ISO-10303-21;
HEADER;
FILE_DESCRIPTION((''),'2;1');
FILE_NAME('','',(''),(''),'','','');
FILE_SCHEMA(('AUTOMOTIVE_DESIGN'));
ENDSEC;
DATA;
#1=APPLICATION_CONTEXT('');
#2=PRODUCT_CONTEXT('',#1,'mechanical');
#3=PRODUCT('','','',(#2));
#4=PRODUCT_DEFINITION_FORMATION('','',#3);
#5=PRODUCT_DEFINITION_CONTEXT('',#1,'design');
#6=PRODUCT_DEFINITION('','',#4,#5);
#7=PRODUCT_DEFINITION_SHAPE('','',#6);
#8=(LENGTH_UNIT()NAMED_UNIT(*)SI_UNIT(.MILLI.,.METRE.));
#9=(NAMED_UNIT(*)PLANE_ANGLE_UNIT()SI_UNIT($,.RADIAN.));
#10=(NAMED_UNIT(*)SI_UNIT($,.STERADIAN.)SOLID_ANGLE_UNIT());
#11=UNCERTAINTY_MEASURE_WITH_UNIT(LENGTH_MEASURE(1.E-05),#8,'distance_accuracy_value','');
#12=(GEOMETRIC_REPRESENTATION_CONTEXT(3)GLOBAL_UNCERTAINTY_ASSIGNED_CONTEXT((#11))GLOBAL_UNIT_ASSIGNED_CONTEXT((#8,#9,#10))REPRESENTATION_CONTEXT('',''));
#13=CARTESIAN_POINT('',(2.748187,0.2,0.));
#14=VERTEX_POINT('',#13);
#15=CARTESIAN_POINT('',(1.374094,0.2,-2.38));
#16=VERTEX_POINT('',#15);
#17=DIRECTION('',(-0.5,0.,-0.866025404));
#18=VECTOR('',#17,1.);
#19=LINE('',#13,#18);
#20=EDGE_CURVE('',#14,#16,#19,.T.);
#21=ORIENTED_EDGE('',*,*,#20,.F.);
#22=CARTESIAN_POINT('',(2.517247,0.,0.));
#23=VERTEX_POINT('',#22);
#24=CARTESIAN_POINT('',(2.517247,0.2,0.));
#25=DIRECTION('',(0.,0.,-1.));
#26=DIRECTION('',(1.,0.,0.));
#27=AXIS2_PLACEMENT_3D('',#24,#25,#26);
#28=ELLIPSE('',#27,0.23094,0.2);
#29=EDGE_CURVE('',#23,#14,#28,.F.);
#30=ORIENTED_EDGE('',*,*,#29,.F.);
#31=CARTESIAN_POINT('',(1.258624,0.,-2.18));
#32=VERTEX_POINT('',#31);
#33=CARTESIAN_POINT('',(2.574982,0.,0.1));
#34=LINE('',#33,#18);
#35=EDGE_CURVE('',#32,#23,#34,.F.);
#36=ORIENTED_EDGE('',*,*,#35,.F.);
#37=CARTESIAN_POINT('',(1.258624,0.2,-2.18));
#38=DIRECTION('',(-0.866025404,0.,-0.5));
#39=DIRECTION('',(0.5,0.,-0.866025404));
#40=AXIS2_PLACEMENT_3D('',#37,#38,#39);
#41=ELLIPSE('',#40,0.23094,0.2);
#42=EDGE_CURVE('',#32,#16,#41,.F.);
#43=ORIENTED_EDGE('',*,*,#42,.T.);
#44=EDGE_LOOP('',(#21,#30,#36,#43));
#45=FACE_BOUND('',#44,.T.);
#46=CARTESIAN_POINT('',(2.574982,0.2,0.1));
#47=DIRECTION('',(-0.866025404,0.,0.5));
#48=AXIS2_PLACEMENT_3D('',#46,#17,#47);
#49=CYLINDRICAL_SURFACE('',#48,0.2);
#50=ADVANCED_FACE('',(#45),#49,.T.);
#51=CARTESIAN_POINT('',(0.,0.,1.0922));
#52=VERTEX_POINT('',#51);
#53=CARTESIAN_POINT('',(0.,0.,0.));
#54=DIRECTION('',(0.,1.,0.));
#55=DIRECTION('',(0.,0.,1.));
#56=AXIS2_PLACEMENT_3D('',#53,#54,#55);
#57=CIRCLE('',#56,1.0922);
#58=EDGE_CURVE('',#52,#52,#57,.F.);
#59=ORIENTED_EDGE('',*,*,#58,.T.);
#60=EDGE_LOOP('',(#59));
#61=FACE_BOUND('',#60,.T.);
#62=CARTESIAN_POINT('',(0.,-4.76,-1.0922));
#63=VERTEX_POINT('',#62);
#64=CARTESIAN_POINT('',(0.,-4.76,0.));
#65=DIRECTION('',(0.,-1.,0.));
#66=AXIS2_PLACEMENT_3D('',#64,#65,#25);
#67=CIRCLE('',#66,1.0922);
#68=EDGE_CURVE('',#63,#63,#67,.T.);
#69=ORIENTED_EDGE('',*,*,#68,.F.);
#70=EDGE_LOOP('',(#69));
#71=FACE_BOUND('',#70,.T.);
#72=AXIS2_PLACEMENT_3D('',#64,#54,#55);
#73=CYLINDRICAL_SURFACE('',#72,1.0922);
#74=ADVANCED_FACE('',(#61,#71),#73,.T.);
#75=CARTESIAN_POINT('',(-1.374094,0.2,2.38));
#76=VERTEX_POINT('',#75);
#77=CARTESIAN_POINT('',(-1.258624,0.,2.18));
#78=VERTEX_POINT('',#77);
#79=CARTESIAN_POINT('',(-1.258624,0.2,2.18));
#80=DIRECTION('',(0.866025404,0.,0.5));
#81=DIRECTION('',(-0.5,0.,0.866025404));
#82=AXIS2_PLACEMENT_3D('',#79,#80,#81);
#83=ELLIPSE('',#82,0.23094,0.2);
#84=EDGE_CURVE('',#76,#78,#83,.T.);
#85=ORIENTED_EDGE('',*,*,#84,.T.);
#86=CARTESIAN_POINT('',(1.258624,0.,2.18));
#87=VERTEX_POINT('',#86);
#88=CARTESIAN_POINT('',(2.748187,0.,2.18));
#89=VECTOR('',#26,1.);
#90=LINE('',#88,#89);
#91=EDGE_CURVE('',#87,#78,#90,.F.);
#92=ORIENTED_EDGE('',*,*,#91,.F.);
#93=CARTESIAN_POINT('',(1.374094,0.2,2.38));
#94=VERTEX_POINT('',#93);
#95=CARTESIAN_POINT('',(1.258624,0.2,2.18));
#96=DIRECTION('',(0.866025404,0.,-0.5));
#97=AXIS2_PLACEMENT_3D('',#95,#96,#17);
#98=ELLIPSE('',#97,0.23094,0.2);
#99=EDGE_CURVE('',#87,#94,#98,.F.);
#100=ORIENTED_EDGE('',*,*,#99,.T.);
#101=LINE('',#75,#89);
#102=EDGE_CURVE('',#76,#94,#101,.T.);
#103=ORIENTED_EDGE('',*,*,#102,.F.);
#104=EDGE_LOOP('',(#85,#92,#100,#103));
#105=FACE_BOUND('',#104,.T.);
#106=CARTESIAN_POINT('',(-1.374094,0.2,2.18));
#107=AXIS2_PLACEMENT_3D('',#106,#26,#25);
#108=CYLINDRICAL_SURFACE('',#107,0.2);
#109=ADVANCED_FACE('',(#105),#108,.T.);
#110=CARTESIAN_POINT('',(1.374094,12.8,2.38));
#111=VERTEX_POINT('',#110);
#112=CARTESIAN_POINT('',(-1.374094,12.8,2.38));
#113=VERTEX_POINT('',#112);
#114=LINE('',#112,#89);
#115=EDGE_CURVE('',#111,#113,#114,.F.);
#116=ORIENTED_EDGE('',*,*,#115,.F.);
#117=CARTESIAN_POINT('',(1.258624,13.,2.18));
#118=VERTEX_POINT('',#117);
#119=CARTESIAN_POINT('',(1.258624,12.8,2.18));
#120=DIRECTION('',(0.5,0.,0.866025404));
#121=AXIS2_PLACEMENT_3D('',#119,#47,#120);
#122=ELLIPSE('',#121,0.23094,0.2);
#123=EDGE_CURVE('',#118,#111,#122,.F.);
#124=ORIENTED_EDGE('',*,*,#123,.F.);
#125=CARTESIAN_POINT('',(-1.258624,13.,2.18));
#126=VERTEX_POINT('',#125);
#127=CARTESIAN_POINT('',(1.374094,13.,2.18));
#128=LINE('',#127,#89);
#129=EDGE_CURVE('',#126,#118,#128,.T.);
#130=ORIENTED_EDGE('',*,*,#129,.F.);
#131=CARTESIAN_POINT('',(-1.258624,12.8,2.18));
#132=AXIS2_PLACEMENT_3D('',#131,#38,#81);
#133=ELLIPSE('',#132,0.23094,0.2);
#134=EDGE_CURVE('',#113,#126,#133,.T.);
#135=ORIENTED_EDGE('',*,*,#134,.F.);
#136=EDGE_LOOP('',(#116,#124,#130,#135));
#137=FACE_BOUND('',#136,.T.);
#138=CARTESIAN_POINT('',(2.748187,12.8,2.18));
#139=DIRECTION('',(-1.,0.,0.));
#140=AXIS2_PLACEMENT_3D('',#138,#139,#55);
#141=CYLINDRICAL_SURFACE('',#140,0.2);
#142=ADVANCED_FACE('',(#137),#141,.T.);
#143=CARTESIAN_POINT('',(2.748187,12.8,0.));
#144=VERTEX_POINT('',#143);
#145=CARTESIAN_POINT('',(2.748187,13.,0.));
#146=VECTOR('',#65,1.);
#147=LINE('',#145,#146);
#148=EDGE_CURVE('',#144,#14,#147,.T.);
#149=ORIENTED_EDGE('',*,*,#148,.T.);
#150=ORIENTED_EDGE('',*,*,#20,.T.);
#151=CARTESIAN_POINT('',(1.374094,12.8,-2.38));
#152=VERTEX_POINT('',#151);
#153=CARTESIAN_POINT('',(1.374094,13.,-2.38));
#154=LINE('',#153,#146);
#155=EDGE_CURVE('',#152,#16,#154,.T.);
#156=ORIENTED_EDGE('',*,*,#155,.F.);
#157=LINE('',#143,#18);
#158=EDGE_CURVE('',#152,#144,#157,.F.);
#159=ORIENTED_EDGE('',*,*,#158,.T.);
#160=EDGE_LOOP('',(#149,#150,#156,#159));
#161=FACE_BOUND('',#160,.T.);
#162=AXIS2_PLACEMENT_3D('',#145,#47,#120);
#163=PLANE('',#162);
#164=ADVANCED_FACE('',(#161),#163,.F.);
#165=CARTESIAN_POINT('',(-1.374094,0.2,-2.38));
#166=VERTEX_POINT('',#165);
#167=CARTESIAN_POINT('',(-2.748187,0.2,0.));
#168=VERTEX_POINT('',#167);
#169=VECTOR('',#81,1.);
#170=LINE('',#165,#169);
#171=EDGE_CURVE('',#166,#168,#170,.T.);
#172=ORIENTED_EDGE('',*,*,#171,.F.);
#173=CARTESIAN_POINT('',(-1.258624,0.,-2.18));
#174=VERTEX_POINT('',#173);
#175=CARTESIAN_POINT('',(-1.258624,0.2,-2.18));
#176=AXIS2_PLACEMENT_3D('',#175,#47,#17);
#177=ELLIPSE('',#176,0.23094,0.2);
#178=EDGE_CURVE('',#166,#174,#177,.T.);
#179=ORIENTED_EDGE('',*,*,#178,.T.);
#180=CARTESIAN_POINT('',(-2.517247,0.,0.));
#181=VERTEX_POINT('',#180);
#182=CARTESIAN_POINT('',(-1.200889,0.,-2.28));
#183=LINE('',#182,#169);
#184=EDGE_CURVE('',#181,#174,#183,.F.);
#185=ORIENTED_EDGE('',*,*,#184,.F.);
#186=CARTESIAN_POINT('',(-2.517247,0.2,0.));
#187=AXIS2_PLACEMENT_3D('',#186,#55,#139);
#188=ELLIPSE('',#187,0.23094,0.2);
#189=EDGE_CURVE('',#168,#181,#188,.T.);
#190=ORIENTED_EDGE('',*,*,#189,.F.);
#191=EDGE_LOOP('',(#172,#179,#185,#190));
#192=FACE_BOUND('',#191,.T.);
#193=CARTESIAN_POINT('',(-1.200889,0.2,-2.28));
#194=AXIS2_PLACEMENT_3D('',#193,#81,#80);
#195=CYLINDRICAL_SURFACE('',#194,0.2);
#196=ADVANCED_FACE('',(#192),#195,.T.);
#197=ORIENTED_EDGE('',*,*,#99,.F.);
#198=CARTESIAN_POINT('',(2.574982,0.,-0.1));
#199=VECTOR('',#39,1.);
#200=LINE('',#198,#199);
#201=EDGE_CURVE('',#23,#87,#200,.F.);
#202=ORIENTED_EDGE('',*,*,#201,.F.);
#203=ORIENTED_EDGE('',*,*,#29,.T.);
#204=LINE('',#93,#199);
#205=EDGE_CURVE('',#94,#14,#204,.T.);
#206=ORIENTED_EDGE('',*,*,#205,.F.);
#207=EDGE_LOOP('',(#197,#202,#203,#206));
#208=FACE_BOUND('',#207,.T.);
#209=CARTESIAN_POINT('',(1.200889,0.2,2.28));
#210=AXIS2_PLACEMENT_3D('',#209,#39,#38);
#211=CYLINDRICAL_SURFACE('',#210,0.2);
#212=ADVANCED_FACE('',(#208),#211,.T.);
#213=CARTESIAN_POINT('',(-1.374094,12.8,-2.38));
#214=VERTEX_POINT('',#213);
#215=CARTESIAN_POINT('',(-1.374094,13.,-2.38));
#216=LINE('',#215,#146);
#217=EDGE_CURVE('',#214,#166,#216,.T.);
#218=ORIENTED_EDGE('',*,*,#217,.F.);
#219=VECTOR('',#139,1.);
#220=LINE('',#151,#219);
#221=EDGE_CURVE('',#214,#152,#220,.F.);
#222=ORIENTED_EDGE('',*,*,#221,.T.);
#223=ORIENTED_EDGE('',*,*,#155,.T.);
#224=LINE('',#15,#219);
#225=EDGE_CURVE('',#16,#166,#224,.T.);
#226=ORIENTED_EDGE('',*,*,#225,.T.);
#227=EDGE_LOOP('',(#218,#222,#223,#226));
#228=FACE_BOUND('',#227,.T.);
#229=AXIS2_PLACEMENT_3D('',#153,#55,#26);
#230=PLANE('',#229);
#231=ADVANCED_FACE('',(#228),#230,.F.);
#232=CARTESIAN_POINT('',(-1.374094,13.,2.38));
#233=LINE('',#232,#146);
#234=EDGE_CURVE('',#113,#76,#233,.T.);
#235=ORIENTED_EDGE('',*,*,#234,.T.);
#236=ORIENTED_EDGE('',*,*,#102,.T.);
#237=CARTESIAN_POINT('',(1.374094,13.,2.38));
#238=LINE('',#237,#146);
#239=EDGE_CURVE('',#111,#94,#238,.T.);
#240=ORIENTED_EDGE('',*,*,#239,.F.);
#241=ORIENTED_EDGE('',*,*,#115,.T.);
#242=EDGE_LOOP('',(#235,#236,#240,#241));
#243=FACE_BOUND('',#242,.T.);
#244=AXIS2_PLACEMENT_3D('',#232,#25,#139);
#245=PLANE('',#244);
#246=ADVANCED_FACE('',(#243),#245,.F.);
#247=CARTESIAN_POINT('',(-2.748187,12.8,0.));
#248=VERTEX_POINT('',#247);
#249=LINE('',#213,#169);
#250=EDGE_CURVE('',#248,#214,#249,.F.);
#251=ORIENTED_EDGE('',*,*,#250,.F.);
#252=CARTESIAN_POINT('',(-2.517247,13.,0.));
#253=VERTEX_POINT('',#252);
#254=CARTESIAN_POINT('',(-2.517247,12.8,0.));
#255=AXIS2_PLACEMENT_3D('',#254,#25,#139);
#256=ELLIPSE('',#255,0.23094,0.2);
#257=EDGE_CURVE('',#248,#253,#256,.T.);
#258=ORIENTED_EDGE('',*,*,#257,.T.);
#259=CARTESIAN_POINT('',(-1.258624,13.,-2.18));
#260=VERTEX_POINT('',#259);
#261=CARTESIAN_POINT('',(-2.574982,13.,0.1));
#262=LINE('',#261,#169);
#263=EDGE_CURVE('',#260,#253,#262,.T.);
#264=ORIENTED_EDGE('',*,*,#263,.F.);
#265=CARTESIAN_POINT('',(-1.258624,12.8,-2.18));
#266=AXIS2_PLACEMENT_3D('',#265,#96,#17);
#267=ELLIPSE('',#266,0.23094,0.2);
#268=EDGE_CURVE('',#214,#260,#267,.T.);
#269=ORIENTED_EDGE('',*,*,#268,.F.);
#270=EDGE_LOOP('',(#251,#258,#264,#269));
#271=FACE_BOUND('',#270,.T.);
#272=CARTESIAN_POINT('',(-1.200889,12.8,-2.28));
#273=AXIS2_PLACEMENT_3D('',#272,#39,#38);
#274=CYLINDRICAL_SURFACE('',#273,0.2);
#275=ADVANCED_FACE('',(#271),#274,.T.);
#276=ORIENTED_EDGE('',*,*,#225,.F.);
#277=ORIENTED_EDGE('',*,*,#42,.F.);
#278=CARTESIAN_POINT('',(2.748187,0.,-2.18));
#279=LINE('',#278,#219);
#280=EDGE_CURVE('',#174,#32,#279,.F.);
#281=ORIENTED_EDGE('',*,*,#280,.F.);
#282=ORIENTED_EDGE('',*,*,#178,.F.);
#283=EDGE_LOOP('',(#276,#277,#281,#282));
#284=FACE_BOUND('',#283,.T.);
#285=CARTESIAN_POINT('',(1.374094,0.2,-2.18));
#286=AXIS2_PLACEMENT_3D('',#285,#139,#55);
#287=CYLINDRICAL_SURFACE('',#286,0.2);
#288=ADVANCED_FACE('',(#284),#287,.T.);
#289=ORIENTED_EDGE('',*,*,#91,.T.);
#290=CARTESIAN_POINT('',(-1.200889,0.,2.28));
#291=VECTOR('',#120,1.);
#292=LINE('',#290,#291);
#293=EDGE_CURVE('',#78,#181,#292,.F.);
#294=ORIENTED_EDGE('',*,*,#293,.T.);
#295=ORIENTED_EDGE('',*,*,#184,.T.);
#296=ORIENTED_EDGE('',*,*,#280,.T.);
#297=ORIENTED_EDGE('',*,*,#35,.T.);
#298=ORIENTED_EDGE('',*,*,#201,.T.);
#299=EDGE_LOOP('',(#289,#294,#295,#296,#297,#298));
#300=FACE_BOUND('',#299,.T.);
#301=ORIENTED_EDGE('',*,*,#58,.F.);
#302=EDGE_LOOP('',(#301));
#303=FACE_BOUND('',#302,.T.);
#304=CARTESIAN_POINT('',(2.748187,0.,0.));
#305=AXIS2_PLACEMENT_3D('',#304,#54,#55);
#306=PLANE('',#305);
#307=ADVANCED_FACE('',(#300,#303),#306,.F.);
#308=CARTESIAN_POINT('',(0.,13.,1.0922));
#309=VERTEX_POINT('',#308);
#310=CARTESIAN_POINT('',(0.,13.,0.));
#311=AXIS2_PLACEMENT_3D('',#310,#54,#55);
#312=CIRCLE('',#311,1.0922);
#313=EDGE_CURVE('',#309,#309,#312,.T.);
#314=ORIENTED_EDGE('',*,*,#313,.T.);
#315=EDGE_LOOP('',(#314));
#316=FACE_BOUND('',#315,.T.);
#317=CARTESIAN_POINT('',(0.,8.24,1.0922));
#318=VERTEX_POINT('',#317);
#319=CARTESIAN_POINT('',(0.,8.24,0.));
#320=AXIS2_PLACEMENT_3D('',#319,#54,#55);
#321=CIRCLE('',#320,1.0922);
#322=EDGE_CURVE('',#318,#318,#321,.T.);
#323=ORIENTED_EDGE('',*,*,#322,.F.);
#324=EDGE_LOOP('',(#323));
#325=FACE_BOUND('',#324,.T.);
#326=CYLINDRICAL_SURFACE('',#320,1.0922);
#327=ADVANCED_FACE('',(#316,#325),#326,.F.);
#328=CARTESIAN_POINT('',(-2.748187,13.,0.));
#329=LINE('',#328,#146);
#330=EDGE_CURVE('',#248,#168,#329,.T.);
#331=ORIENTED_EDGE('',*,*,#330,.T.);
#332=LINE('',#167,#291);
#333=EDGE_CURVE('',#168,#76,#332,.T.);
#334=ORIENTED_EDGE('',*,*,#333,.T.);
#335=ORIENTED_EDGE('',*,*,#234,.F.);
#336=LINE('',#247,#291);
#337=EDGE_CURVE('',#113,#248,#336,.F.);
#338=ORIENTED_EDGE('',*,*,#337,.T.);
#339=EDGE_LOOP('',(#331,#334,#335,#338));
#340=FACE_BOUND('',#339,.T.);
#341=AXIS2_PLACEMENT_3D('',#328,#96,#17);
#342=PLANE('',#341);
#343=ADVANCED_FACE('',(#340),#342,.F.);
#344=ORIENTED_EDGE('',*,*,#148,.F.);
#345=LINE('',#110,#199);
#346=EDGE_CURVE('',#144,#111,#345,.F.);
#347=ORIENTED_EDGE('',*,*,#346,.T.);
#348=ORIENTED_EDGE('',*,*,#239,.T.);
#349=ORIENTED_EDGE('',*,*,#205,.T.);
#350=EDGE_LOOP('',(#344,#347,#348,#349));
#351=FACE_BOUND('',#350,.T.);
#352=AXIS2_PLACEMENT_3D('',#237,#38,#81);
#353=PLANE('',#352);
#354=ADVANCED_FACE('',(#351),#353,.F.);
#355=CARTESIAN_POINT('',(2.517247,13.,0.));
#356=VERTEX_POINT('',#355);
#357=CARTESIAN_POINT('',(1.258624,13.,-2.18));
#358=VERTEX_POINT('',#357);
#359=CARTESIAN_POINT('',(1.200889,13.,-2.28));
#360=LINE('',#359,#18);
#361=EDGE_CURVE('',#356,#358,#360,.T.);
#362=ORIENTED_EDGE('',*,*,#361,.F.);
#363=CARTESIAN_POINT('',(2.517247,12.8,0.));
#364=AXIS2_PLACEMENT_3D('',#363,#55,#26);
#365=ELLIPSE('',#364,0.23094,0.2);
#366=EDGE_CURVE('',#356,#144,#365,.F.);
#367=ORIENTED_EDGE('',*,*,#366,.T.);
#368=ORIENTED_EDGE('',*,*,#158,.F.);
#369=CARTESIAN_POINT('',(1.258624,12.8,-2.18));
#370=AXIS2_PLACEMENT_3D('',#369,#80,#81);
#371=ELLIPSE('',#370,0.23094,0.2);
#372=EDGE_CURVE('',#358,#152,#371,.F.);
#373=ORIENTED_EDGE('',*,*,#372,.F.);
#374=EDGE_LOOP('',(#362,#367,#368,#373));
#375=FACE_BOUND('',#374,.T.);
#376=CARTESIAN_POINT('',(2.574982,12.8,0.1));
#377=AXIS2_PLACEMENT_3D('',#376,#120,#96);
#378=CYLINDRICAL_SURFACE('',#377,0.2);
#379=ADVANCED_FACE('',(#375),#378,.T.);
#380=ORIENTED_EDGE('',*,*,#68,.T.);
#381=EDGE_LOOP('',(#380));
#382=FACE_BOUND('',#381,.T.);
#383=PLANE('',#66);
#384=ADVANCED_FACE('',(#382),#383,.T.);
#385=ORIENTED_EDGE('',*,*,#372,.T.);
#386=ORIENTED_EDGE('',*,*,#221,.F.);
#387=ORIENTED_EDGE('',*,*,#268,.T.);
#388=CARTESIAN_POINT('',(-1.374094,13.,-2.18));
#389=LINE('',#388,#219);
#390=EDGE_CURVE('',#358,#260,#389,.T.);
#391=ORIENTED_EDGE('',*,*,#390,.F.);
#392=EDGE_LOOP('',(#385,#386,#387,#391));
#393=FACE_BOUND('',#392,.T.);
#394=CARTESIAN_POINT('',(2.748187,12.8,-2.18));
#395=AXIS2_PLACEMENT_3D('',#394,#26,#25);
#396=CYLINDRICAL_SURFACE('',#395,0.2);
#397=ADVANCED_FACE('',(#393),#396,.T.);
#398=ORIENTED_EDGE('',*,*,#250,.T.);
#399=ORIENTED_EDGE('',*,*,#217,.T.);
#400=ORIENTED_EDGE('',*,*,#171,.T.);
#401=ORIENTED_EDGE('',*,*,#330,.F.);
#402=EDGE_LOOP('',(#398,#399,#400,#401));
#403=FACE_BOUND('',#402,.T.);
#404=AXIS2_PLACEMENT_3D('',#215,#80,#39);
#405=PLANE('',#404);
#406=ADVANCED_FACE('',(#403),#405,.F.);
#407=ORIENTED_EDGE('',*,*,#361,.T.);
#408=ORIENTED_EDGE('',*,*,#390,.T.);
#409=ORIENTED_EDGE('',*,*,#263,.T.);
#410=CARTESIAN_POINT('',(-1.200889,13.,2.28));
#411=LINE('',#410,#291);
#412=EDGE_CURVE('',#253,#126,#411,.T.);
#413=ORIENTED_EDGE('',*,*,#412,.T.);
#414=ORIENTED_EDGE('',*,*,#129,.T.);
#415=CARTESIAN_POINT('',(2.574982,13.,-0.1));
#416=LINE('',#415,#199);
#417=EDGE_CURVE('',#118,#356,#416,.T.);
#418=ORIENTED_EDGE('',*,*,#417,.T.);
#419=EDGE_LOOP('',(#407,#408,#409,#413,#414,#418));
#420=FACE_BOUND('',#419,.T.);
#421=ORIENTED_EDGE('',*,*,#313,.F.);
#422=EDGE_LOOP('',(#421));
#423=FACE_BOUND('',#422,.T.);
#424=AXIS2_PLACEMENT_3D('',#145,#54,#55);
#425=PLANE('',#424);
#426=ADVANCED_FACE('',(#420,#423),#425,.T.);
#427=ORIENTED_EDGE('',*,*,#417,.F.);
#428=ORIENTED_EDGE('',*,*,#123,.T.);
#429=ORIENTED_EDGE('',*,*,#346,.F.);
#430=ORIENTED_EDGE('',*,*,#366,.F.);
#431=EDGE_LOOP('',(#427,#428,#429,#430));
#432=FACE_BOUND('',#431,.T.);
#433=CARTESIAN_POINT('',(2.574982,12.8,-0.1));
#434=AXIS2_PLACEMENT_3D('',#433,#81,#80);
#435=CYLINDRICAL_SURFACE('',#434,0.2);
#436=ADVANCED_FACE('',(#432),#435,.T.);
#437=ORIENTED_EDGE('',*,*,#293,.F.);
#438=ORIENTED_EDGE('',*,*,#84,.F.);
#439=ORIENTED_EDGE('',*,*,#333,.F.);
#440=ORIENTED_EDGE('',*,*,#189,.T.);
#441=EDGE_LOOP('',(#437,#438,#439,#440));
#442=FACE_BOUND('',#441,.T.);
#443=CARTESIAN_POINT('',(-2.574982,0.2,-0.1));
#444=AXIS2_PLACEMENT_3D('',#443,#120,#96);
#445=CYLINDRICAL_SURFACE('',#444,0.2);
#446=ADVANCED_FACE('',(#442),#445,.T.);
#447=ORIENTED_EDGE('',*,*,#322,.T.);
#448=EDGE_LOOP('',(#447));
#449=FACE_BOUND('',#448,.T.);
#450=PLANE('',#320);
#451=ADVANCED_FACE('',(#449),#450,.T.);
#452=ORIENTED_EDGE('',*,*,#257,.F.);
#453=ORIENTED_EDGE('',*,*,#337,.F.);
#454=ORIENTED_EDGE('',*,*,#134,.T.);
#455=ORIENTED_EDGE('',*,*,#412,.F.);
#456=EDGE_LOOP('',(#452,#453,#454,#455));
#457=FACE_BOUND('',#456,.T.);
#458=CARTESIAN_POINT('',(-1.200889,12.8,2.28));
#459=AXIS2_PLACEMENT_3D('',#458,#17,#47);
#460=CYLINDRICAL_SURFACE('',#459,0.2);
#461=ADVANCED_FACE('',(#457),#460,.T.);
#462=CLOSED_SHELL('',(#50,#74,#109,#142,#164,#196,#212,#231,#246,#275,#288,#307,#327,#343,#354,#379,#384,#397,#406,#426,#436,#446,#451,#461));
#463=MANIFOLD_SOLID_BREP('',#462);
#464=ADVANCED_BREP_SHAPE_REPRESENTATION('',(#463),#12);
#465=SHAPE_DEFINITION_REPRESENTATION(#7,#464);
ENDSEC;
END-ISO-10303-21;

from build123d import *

# Parameters (mm, degrees)
RESSALTO_EXTRUS_O1_DEPTH = 13
FILETE1_R                = 0.2
ESBO_O2_R                = 1.0922
RESSALTO_EXTRUS_O2_DEPTH = 4.76
ESBO_O3_R                = 1.0922
CORTE_EXTRUS_O1_DEPTH    = 4.76


with BuildPart() as part:
    # Esboço1 → Ressalto-extrusão1 (new body)
    with BuildSketch(Plane(origin=(0, 0, 0), x_dir=(1, 0, 0), z_dir=(0, 1, 0))):
        Polygon((2.748187281, 0), (1.374093641, 2.38), (-1.374093641, 2.38), (-2.748187281, 0), (-1.374093641, -2.38), (1.374093641, -2.38), align=None)
    extrude(amount=RESSALTO_EXTRUS_O1_DEPTH)

    # Filete1
    filete1_edges = [part.edges().sort_by_distance(p)[0] for p in [
        (0, 13, -2.38),
        (-2.061140461, 13, -1.19),
        (-2.061140461, 13, 1.19),
        (0, 13, 2.38),
        (2.061140461, 13, 1.19),
        (0, 0, 2.38),
        (-2.061140461, 0, 1.19),
        (-2.061140461, 0, -1.19),
        (2.061140461, 13, -1.19),
        (0, 0, -2.38),
        (2.061140461, 0, -1.19),
        (2.061140461, 0, 1.19),
    ]]
    fillet(filete1_edges, radius=FILETE1_R)

    # Esboço2 → Ressalto-extrusão2 (add)
    with BuildSketch(Plane.XZ):
        with Locations(Location((0, 0, 0), (0, 0, 90))):
            Circle(ESBO_O2_R)
    extrude(amount=RESSALTO_EXTRUS_O2_DEPTH)

    # Esboço3 → Corte-extrusão1 (cut)
    with BuildSketch(Plane(origin=(0, 13, 0), x_dir=(1, 0, 0), z_dir=(0, 1, 0))):
        with Locations(Location((0, 0, 0), (0, 0, 270))):
            Circle(ESBO_O3_R)
    extrude(amount=-CORTE_EXTRUS_O1_DEPTH, mode=Mode.SUBTRACT)


solid = part.part
